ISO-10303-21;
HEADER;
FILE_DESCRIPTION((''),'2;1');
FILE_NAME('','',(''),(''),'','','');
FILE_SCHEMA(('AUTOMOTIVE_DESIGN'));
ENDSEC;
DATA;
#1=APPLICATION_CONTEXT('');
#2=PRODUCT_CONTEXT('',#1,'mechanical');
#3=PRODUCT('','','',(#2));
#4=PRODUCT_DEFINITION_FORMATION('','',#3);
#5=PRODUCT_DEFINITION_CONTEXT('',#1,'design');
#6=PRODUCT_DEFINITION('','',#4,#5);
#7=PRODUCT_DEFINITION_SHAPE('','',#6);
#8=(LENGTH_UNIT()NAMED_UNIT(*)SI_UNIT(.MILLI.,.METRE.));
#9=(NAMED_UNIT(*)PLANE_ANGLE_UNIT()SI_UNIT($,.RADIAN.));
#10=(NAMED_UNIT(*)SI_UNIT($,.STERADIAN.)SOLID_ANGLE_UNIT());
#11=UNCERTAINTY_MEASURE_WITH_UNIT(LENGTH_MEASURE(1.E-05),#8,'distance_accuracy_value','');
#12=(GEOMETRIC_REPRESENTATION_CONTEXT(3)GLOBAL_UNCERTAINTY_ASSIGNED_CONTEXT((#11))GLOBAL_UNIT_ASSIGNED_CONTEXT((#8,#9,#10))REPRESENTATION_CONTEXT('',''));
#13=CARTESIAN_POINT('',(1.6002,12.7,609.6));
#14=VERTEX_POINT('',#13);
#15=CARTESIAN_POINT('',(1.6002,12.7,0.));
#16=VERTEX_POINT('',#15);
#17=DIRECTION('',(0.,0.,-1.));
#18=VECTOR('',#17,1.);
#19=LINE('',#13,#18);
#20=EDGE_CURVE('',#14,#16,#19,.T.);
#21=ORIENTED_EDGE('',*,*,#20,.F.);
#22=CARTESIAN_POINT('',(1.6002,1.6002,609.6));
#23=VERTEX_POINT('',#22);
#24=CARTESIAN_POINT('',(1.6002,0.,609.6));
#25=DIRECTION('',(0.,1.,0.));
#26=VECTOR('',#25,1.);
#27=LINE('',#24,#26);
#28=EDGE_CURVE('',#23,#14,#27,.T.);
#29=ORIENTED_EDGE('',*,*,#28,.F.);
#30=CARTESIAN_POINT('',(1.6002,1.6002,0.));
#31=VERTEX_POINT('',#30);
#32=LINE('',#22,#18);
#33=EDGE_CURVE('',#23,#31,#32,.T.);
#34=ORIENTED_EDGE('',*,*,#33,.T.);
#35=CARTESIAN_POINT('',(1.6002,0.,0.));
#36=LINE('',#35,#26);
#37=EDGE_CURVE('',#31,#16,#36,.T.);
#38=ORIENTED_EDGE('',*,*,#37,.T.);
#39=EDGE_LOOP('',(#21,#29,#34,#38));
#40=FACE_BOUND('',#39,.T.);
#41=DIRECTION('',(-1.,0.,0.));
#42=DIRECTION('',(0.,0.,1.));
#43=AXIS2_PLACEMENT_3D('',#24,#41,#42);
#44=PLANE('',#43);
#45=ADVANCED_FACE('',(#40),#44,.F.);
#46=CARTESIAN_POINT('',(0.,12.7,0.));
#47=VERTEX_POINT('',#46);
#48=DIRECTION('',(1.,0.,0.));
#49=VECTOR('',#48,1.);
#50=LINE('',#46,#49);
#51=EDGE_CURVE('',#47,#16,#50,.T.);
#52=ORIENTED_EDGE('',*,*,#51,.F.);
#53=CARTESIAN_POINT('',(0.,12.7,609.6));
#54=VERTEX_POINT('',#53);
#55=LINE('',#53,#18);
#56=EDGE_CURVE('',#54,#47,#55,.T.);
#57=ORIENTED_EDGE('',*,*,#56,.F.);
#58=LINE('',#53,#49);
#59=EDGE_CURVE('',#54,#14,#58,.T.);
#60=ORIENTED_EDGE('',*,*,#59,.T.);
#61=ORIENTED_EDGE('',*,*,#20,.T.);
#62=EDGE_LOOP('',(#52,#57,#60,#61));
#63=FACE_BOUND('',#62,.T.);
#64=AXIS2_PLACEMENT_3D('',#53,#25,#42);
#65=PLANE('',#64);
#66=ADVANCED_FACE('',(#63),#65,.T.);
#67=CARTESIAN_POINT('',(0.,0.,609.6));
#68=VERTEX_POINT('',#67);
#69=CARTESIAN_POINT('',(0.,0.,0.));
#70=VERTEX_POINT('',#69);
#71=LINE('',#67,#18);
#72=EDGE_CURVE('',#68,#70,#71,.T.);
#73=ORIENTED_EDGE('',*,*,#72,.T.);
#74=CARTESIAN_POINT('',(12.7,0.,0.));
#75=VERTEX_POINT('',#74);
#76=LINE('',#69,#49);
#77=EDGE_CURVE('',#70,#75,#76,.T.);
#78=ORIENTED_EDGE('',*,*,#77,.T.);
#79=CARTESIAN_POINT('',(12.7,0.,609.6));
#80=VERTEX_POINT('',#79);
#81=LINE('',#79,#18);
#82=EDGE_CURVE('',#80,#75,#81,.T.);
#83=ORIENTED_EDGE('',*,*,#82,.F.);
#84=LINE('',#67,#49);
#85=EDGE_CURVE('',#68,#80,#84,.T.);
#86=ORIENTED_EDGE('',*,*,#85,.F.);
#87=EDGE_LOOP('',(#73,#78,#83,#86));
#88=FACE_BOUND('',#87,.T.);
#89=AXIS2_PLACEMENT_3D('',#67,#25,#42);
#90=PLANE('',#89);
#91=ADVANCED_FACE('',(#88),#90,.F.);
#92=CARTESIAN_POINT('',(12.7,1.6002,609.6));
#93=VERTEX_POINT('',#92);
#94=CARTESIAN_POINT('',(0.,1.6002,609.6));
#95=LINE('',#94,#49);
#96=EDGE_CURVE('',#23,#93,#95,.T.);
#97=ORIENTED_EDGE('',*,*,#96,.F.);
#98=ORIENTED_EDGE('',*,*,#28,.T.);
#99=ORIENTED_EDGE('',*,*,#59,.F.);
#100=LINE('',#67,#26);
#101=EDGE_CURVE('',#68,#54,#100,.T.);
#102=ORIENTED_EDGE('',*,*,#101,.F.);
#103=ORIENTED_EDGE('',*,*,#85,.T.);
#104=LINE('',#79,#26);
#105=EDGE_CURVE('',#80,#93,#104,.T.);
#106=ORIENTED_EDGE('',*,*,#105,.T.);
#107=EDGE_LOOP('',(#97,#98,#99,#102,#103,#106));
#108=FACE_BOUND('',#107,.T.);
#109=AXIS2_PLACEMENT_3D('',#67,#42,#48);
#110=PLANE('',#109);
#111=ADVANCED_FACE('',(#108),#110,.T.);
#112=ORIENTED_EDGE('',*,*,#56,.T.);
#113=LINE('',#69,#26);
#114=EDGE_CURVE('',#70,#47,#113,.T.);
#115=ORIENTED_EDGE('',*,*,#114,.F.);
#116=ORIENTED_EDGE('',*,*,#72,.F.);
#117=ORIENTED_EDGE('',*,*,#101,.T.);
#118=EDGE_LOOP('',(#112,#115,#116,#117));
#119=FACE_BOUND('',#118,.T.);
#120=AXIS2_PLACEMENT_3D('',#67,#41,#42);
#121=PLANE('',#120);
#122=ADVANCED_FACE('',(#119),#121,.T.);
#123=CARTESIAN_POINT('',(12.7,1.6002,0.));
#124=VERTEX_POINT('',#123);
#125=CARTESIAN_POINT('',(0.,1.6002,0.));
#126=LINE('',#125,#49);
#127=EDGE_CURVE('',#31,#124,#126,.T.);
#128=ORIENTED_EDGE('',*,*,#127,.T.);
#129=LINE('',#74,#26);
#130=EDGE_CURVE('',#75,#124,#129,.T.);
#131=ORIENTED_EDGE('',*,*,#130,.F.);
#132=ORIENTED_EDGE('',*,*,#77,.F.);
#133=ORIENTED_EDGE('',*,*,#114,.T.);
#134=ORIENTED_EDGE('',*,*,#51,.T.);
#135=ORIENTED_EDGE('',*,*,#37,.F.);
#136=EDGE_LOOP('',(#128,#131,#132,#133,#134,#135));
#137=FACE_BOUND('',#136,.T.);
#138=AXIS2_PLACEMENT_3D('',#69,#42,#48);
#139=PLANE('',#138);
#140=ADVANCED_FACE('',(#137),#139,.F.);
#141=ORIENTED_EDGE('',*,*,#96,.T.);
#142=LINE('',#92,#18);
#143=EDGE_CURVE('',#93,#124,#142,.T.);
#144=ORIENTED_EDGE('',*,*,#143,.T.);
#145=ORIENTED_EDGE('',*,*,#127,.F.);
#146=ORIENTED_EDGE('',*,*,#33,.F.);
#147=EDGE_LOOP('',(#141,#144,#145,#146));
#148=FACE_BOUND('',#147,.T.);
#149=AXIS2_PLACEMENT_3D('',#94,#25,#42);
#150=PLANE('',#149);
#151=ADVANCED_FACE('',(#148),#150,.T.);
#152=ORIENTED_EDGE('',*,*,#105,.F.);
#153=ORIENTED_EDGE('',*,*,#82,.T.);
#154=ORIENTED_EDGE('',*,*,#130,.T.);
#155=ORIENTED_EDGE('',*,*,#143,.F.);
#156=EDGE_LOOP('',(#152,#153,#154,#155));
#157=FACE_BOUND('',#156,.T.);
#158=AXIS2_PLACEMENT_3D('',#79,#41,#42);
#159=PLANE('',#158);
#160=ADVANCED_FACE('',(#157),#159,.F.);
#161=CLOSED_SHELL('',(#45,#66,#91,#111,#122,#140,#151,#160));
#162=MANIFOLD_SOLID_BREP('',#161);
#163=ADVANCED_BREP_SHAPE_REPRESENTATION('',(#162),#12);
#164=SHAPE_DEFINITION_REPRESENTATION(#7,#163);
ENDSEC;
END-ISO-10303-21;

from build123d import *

# Parameters (mm, degrees)
BOSS_EXTRUDE1_DEPTH = 609.6


with BuildPart() as part:
    # Sketch1 → Boss-Extrude1 (new body)
    with BuildSketch(Plane.XY):
        Polygon((0, 1.6002), (0, 0), (1.6002, 0), (12.7, 0), (12.7, 1.6002), (1.6002, 1.6002), (1.6002, 12.7), (0, 12.7), align=None)
    extrude(amount=BOSS_EXTRUDE1_DEPTH)


solid = part.part
